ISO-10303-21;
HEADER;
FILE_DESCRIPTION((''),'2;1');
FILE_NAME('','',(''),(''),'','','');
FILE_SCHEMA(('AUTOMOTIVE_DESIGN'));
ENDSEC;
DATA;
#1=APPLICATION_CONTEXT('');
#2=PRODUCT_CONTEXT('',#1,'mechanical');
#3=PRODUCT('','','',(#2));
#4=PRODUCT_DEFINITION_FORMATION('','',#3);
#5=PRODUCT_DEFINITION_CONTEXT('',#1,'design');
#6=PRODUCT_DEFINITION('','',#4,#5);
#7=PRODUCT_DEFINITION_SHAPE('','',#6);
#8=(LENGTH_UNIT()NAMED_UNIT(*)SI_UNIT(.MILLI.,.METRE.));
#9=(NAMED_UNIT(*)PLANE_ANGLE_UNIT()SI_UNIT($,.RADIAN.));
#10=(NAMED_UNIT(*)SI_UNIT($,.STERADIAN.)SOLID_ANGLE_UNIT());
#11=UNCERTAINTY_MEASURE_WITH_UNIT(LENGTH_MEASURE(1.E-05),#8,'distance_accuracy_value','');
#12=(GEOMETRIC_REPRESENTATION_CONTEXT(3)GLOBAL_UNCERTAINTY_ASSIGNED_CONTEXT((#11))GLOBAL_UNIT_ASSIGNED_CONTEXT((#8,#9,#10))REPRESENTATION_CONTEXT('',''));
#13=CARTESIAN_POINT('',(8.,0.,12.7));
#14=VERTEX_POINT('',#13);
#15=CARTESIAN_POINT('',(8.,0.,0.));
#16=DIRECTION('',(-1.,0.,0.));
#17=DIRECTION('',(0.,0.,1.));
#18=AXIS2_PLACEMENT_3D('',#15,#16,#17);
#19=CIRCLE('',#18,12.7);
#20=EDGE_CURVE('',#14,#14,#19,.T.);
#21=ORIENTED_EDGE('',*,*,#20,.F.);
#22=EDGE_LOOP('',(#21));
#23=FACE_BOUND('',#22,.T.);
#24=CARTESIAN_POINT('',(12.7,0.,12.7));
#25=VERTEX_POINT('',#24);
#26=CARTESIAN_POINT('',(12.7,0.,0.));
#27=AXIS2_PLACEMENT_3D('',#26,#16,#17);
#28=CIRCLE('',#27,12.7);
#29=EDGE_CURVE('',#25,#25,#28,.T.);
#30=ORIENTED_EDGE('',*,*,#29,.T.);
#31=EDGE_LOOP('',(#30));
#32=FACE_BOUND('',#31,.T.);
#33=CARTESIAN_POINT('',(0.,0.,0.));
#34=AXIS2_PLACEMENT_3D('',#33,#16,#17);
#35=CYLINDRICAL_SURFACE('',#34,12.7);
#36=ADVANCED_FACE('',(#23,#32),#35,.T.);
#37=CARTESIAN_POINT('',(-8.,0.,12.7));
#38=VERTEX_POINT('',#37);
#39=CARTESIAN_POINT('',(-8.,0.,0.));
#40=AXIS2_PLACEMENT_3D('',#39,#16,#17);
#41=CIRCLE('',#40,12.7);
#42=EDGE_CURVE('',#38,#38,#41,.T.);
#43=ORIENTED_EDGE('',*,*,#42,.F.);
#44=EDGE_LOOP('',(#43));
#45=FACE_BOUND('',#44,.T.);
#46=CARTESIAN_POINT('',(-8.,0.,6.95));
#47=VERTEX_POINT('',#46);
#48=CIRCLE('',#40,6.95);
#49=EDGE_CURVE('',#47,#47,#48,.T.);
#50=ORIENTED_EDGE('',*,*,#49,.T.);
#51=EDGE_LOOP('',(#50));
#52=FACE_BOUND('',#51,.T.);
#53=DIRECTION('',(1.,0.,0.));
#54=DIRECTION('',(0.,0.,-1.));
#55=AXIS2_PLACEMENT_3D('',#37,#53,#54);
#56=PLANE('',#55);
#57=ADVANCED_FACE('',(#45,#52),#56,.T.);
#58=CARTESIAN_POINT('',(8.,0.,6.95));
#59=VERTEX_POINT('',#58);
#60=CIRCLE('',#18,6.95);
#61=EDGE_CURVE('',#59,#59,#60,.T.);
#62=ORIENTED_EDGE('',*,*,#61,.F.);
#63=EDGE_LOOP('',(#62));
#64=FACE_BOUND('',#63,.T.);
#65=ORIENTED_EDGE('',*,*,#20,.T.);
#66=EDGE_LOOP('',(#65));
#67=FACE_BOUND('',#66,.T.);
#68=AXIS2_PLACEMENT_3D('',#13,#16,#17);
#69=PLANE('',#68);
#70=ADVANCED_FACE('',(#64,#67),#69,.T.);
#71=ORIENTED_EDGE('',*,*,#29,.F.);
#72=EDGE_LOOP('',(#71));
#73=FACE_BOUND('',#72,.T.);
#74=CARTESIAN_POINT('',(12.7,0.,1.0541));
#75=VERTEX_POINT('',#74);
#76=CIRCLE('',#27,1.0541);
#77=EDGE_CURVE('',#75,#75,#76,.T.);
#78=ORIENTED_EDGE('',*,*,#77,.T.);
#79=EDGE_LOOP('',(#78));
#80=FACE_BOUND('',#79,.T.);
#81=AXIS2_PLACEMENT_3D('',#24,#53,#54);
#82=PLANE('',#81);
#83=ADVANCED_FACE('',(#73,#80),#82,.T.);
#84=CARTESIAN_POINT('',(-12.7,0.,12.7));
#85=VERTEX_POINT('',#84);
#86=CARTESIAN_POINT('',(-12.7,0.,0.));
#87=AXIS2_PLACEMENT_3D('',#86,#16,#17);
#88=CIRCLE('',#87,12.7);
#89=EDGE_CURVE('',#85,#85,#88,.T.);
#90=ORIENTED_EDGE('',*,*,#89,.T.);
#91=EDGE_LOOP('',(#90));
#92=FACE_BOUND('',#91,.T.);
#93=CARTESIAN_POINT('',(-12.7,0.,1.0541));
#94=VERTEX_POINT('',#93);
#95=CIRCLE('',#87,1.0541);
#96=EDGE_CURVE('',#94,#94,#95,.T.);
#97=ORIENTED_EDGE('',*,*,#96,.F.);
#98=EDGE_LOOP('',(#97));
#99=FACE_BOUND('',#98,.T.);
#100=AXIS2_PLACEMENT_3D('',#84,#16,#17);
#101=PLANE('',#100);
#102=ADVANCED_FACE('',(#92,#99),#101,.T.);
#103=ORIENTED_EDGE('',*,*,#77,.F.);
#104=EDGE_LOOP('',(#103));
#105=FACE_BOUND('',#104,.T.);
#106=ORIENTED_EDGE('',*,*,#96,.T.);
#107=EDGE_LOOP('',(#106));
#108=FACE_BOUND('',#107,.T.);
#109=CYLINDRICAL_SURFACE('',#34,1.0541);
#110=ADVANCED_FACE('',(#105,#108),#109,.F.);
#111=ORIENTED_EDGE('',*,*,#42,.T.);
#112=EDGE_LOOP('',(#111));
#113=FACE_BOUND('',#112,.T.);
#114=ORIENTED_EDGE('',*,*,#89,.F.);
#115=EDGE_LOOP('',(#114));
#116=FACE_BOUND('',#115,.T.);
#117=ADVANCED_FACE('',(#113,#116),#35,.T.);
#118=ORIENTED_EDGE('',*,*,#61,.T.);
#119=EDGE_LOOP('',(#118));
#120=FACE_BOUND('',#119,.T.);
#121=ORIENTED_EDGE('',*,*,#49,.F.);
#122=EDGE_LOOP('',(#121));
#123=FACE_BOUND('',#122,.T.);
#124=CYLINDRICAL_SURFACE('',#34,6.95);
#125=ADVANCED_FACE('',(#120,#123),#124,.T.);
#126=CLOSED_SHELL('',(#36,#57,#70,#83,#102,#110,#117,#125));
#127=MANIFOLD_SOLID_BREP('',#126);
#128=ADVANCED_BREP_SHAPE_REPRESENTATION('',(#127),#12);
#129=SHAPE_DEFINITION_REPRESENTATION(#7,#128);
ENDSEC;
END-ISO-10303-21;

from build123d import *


with BuildPart() as part:
    # Sketch2 → Revolve1 (revolve)
    with BuildSketch(Plane(origin=(0, 0, 0), x_dir=(1, 0, 0), z_dir=(0, 1, 0))):
        Polygon((8, -12.7), (12.7, -12.7), (12.7, -1.0541), (-12.7, -1.0541), (-12.7, -12.7), (-8, -12.7), (-8, -6.95), (8, -6.95), align=None)
    revolve(axis=Axis((0, 0, 0), (1, 0, 0)))


solid = part.part
